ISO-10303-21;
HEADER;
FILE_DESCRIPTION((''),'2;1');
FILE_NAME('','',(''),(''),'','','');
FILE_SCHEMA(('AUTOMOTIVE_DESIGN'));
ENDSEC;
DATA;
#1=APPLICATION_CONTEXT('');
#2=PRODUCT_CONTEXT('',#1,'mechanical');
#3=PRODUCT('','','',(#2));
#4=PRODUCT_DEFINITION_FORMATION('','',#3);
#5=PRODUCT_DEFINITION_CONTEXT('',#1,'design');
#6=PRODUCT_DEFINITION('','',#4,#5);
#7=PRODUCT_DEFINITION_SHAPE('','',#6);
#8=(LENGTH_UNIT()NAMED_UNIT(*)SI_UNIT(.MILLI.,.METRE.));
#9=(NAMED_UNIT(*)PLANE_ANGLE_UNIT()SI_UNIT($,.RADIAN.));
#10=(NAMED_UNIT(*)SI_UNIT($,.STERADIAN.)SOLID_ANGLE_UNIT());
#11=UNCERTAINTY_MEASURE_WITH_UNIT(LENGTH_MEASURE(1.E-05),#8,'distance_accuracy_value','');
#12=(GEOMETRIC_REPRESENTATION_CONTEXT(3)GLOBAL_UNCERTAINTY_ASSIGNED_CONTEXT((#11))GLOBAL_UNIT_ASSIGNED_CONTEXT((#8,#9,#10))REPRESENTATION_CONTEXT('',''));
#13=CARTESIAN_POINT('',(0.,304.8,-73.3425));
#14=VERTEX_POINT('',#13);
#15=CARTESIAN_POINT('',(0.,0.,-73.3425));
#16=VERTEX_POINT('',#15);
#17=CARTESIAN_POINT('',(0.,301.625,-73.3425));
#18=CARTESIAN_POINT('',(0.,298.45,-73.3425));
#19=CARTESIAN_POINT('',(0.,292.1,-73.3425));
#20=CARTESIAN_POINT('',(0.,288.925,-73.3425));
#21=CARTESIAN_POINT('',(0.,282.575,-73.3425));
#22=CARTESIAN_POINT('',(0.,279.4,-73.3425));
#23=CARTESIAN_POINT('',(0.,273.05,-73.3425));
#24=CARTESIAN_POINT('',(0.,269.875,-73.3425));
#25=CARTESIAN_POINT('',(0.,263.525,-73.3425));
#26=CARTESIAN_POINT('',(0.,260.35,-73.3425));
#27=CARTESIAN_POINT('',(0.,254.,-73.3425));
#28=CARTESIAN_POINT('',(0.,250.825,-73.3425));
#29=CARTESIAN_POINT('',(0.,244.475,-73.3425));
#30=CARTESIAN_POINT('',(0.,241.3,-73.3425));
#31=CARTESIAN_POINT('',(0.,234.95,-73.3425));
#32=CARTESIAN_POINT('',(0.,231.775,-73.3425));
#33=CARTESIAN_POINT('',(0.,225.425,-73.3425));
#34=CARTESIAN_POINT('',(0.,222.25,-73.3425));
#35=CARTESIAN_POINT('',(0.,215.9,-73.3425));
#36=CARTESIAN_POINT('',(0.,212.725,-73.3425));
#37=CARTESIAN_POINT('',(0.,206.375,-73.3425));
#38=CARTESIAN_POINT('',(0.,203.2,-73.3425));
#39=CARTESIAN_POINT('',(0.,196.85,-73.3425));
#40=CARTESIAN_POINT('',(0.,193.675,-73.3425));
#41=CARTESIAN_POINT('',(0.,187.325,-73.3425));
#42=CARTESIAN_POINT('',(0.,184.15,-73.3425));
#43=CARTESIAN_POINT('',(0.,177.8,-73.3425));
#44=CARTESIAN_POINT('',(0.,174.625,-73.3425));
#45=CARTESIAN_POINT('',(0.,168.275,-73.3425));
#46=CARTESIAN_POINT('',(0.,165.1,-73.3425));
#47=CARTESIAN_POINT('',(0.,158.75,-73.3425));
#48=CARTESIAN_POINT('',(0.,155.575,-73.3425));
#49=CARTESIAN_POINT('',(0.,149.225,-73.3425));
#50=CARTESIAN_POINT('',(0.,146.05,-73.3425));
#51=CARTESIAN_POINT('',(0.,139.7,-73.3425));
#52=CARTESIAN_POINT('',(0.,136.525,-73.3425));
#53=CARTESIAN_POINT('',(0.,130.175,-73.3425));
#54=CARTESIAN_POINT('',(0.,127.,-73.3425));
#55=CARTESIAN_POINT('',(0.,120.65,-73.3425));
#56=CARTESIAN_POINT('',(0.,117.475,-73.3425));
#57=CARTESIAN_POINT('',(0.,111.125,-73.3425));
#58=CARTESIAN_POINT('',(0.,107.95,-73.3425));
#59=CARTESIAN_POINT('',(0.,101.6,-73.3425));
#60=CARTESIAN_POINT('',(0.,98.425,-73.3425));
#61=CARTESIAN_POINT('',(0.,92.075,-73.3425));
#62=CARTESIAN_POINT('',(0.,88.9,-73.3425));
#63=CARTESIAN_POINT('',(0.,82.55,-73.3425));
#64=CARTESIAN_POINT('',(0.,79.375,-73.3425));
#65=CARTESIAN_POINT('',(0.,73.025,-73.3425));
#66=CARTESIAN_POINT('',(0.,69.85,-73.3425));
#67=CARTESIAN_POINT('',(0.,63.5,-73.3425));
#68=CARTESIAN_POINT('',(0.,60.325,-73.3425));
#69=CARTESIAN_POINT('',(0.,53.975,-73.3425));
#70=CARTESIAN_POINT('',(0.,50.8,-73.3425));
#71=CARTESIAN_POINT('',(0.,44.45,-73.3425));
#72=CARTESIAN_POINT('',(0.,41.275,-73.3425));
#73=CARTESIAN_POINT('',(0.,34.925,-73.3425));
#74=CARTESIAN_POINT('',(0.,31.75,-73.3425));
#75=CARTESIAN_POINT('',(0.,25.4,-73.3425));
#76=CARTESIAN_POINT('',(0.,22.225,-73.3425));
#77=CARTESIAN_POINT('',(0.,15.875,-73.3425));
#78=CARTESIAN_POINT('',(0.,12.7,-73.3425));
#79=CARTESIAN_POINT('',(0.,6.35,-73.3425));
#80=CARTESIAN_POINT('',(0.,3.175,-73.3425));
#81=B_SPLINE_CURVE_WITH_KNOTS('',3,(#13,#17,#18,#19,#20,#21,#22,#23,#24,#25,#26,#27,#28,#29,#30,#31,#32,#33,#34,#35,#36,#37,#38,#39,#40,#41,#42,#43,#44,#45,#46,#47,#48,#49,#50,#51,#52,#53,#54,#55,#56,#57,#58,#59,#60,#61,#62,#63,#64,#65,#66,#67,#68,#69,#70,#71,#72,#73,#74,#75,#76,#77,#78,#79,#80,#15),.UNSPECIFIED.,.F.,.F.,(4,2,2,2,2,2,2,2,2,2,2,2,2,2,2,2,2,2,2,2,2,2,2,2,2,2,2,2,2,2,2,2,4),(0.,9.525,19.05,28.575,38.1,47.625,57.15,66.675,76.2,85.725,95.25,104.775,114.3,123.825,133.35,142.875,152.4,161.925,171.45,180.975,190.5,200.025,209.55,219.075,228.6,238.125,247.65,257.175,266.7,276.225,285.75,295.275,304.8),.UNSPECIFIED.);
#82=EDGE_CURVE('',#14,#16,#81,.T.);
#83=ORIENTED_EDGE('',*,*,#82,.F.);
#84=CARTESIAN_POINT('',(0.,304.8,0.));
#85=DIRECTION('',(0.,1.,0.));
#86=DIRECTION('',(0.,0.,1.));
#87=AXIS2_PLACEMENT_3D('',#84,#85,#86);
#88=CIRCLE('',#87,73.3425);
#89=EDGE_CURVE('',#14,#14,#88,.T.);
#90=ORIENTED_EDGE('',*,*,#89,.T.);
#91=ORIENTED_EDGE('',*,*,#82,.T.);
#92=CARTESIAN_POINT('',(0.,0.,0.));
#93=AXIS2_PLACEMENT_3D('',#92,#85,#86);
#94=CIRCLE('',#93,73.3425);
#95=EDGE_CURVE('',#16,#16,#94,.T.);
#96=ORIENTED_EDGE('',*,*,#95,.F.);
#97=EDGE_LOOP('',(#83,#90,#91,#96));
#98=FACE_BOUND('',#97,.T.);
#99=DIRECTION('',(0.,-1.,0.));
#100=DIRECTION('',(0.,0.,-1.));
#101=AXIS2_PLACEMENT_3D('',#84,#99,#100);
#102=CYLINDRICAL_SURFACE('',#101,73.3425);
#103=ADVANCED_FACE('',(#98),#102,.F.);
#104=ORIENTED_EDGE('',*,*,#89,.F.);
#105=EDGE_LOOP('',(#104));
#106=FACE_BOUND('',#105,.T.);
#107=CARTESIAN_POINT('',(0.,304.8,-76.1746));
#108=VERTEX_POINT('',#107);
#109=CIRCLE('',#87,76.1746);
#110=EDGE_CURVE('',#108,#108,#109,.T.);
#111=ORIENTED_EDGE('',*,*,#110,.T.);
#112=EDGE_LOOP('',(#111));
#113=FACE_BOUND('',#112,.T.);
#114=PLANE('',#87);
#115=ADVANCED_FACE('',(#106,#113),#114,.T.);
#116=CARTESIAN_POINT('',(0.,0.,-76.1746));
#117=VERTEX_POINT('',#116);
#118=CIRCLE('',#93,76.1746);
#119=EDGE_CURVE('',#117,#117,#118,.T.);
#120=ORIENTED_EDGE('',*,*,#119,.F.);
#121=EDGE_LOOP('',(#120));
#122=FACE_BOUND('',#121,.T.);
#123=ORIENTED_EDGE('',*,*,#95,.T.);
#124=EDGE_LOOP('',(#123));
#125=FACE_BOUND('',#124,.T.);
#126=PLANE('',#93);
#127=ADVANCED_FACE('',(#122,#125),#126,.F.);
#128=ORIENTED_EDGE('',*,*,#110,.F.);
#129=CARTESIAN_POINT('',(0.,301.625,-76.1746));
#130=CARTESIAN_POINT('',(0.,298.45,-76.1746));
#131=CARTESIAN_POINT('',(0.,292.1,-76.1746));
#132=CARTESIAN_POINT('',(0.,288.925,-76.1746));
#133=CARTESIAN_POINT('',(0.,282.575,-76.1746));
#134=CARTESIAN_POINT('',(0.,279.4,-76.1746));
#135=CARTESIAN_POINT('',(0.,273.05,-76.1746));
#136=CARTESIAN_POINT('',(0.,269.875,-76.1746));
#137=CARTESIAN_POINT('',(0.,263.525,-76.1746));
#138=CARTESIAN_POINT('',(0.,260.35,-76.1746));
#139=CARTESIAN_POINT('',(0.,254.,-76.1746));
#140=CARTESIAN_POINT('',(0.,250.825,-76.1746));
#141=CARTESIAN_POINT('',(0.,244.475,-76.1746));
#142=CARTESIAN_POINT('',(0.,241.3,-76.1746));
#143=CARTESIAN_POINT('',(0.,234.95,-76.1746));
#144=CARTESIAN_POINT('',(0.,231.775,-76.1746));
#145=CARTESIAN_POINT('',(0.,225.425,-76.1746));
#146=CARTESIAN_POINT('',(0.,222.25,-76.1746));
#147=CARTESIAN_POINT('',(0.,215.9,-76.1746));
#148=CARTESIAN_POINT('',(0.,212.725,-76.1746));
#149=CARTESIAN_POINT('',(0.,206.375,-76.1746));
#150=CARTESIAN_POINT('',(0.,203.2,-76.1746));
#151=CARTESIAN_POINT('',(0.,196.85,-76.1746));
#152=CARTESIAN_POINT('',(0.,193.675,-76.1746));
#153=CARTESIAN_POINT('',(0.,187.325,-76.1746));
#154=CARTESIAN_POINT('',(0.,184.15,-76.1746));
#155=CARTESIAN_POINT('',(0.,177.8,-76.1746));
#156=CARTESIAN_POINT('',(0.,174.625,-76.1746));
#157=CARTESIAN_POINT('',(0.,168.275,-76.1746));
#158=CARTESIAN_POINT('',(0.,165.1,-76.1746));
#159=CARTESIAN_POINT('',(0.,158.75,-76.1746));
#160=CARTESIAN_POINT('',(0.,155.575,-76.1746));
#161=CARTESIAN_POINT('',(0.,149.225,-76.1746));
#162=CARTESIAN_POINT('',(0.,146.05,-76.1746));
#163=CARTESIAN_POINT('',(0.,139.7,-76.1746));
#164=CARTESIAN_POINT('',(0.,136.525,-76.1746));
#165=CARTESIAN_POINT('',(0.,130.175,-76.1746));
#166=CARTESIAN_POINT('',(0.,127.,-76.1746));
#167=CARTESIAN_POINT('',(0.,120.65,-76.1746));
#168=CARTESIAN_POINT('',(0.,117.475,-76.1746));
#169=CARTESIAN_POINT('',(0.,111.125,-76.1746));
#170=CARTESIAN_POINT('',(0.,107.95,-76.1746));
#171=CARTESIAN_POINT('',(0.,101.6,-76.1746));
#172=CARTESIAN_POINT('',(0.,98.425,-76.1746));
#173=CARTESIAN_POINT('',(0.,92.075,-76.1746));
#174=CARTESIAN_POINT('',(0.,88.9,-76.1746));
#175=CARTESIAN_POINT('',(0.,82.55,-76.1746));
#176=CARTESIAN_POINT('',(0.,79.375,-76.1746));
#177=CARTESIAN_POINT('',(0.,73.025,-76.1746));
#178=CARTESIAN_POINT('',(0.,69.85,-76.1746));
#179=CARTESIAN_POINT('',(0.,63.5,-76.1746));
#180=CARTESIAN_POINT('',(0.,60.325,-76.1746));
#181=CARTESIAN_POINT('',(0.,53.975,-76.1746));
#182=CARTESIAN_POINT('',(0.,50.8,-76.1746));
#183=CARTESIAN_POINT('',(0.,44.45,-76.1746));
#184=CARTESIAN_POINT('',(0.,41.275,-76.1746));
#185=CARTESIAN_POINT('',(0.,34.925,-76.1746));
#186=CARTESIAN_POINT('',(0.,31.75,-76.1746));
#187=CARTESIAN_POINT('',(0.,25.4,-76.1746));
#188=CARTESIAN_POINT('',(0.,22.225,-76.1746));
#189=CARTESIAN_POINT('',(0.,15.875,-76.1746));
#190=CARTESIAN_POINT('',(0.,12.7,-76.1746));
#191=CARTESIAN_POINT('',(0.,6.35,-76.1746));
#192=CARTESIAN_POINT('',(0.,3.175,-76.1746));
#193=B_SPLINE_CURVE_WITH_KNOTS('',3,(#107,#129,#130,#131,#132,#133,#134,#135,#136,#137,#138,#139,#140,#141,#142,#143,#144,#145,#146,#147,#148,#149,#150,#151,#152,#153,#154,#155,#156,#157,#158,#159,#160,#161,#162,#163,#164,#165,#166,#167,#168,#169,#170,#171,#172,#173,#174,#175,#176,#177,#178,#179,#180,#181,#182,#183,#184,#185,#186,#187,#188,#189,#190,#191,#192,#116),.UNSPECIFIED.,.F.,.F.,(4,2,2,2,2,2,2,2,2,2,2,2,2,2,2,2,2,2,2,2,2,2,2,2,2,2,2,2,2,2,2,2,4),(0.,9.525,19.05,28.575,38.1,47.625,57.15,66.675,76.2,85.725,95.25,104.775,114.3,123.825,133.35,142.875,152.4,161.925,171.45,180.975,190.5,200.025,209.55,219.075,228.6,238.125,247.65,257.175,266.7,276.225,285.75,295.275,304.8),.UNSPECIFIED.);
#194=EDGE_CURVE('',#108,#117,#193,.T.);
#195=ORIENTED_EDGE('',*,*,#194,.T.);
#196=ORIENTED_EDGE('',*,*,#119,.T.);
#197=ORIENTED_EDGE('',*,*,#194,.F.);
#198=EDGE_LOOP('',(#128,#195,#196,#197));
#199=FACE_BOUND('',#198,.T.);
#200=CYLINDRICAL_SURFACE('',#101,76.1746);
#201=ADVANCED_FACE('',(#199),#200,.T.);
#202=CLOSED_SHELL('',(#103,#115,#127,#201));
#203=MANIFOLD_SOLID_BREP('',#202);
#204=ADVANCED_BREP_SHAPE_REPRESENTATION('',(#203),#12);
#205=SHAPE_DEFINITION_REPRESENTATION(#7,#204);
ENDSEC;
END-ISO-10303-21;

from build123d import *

# Parameters (mm, degrees)
COUPLER_PROFILE_R   = 76.1746
COUPLER_PROFILE_R_2 = 73.3425
COUPLER_BODY_DEPTH  = 304.8


with BuildPart() as part:
    # Coupler Profile → Coupler Body (new body)
    with BuildSketch(Plane(origin=(0, 0, 0), x_dir=(1, 0, 0), z_dir=(0, 1, 0))):
        with Locations(Location((0, 0, 0), (0, 0, 90))):
            Circle(COUPLER_PROFILE_R)
        with Locations(Location((0, 0, 0), (0, 0, 90))):
            Circle(COUPLER_PROFILE_R_2, mode=Mode.SUBTRACT)
    extrude(amount=COUPLER_BODY_DEPTH)


solid = part.part
